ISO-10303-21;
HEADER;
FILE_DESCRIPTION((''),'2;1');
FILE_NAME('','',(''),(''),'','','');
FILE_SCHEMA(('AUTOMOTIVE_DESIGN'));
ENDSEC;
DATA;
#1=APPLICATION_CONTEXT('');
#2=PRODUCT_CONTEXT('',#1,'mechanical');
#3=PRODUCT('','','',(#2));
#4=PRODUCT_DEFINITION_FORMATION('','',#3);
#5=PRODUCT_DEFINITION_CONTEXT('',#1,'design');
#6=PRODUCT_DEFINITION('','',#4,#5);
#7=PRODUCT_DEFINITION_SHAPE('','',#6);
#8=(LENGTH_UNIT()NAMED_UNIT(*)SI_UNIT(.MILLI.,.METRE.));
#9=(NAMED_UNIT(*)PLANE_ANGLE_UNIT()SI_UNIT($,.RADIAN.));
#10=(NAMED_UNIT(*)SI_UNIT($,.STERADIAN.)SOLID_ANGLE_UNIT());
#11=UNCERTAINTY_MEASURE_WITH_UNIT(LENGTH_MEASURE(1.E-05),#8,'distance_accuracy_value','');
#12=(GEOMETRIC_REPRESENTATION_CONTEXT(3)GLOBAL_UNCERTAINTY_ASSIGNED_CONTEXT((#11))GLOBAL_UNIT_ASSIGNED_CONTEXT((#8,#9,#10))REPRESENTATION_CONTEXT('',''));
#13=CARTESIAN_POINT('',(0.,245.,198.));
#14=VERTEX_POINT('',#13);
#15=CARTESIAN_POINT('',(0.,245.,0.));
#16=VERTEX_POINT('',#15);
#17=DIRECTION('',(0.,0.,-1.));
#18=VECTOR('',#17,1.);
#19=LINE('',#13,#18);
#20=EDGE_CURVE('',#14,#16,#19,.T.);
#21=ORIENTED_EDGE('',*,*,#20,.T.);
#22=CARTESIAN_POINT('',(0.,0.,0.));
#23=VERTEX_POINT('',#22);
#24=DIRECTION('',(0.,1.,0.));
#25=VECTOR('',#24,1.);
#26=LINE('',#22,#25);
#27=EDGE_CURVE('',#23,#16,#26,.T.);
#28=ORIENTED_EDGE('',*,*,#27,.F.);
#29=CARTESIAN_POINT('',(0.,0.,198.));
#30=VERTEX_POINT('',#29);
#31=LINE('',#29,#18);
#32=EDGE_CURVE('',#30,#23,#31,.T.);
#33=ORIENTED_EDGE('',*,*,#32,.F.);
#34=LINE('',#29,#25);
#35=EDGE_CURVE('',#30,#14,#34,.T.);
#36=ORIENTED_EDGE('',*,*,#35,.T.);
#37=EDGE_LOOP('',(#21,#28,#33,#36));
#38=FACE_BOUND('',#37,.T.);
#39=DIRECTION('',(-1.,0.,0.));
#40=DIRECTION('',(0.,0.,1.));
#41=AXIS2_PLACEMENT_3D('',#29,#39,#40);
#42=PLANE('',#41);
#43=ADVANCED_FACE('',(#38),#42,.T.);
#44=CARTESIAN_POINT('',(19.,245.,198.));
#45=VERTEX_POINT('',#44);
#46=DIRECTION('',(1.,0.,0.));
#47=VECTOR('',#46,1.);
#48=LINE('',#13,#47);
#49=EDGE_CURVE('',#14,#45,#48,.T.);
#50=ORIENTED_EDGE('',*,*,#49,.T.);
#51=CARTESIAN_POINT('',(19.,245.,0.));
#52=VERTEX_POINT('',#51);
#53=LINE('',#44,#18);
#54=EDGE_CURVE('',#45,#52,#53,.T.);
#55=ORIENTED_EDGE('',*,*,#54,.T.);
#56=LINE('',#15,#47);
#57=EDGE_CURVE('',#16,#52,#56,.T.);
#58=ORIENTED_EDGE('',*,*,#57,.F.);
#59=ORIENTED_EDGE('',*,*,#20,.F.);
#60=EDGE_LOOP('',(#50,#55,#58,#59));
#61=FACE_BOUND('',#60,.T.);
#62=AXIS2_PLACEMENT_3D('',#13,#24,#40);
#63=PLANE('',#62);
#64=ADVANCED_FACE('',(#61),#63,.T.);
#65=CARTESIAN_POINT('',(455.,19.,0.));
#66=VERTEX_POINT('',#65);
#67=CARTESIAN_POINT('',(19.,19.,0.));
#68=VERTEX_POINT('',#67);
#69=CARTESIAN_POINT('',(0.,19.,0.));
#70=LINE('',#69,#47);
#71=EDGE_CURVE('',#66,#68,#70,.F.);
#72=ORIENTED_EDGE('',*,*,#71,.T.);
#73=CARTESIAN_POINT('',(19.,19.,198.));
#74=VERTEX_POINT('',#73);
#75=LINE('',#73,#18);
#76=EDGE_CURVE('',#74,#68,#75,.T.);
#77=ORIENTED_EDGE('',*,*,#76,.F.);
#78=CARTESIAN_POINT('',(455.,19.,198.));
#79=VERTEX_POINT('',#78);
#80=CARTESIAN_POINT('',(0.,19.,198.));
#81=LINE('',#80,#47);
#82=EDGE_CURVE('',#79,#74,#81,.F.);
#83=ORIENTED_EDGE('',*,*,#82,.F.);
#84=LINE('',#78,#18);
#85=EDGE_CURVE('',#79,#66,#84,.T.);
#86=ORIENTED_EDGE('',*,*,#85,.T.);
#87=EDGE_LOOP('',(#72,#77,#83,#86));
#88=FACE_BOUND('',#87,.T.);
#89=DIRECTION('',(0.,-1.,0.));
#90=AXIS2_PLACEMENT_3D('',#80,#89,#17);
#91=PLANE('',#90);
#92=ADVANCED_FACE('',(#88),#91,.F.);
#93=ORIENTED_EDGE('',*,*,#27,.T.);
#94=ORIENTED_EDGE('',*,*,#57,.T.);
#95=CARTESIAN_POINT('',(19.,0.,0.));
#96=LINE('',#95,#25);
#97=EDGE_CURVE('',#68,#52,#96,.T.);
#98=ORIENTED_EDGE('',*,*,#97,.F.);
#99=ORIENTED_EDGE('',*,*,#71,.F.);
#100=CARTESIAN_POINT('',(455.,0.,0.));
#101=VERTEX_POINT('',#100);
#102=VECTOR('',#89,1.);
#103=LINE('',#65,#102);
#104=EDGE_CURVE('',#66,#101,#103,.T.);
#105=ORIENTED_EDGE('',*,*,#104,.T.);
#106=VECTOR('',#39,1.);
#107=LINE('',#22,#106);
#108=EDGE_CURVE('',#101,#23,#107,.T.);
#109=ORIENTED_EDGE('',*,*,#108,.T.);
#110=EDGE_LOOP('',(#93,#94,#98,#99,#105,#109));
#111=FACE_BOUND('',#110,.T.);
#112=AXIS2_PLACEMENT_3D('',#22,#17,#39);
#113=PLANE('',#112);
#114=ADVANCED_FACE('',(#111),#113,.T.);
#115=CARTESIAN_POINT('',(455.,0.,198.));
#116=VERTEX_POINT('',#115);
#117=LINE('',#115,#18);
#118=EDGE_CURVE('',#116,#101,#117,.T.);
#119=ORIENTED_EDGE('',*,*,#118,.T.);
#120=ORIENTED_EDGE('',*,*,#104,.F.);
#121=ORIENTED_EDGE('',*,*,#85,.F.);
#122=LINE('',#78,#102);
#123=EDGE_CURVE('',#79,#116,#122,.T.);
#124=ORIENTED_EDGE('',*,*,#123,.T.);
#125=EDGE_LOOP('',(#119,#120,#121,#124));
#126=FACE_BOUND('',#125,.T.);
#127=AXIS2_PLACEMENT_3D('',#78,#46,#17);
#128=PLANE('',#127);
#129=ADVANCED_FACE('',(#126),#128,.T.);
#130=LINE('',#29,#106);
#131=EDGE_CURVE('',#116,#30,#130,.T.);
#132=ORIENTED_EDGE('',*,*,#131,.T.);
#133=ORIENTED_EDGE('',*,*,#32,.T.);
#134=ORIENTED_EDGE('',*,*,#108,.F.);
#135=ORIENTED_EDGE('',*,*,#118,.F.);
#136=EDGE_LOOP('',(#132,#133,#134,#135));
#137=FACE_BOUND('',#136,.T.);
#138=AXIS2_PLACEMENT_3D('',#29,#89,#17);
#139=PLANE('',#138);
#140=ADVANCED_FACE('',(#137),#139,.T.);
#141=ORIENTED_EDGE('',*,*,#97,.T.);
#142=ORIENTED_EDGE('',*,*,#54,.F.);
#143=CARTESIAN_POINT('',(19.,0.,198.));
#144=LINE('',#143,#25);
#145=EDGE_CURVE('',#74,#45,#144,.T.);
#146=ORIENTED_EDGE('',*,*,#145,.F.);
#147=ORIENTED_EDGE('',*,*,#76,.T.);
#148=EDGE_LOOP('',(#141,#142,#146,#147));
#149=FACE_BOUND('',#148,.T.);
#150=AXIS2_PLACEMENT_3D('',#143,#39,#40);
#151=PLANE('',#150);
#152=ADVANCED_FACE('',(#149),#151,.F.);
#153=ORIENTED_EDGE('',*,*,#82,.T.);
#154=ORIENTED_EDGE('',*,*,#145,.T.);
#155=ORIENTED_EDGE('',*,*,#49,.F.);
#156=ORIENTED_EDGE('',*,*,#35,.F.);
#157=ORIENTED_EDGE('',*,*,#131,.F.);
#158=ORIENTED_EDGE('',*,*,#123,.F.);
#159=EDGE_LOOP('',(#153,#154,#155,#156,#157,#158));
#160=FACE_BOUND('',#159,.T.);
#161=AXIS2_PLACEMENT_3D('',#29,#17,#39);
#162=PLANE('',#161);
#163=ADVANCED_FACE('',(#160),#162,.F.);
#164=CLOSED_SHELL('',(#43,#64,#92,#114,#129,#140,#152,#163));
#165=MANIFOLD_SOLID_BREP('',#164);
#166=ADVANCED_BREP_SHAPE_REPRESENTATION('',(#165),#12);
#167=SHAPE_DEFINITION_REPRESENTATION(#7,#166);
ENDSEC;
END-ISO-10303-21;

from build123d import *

# Parameters (mm, degrees)
EXTRU_MINCE1_DEPTH = 198


with BuildPart() as part:
    # Esquisse1 → Extru.-Mince1 (new body)
    with BuildSketch(Plane.XY):
        Polygon((0, 245), (0, 0), (455, 0), (455, 19), (19, 19), (19, 245), align=None)
    extrude(amount=EXTRU_MINCE1_DEPTH)


solid = part.part
